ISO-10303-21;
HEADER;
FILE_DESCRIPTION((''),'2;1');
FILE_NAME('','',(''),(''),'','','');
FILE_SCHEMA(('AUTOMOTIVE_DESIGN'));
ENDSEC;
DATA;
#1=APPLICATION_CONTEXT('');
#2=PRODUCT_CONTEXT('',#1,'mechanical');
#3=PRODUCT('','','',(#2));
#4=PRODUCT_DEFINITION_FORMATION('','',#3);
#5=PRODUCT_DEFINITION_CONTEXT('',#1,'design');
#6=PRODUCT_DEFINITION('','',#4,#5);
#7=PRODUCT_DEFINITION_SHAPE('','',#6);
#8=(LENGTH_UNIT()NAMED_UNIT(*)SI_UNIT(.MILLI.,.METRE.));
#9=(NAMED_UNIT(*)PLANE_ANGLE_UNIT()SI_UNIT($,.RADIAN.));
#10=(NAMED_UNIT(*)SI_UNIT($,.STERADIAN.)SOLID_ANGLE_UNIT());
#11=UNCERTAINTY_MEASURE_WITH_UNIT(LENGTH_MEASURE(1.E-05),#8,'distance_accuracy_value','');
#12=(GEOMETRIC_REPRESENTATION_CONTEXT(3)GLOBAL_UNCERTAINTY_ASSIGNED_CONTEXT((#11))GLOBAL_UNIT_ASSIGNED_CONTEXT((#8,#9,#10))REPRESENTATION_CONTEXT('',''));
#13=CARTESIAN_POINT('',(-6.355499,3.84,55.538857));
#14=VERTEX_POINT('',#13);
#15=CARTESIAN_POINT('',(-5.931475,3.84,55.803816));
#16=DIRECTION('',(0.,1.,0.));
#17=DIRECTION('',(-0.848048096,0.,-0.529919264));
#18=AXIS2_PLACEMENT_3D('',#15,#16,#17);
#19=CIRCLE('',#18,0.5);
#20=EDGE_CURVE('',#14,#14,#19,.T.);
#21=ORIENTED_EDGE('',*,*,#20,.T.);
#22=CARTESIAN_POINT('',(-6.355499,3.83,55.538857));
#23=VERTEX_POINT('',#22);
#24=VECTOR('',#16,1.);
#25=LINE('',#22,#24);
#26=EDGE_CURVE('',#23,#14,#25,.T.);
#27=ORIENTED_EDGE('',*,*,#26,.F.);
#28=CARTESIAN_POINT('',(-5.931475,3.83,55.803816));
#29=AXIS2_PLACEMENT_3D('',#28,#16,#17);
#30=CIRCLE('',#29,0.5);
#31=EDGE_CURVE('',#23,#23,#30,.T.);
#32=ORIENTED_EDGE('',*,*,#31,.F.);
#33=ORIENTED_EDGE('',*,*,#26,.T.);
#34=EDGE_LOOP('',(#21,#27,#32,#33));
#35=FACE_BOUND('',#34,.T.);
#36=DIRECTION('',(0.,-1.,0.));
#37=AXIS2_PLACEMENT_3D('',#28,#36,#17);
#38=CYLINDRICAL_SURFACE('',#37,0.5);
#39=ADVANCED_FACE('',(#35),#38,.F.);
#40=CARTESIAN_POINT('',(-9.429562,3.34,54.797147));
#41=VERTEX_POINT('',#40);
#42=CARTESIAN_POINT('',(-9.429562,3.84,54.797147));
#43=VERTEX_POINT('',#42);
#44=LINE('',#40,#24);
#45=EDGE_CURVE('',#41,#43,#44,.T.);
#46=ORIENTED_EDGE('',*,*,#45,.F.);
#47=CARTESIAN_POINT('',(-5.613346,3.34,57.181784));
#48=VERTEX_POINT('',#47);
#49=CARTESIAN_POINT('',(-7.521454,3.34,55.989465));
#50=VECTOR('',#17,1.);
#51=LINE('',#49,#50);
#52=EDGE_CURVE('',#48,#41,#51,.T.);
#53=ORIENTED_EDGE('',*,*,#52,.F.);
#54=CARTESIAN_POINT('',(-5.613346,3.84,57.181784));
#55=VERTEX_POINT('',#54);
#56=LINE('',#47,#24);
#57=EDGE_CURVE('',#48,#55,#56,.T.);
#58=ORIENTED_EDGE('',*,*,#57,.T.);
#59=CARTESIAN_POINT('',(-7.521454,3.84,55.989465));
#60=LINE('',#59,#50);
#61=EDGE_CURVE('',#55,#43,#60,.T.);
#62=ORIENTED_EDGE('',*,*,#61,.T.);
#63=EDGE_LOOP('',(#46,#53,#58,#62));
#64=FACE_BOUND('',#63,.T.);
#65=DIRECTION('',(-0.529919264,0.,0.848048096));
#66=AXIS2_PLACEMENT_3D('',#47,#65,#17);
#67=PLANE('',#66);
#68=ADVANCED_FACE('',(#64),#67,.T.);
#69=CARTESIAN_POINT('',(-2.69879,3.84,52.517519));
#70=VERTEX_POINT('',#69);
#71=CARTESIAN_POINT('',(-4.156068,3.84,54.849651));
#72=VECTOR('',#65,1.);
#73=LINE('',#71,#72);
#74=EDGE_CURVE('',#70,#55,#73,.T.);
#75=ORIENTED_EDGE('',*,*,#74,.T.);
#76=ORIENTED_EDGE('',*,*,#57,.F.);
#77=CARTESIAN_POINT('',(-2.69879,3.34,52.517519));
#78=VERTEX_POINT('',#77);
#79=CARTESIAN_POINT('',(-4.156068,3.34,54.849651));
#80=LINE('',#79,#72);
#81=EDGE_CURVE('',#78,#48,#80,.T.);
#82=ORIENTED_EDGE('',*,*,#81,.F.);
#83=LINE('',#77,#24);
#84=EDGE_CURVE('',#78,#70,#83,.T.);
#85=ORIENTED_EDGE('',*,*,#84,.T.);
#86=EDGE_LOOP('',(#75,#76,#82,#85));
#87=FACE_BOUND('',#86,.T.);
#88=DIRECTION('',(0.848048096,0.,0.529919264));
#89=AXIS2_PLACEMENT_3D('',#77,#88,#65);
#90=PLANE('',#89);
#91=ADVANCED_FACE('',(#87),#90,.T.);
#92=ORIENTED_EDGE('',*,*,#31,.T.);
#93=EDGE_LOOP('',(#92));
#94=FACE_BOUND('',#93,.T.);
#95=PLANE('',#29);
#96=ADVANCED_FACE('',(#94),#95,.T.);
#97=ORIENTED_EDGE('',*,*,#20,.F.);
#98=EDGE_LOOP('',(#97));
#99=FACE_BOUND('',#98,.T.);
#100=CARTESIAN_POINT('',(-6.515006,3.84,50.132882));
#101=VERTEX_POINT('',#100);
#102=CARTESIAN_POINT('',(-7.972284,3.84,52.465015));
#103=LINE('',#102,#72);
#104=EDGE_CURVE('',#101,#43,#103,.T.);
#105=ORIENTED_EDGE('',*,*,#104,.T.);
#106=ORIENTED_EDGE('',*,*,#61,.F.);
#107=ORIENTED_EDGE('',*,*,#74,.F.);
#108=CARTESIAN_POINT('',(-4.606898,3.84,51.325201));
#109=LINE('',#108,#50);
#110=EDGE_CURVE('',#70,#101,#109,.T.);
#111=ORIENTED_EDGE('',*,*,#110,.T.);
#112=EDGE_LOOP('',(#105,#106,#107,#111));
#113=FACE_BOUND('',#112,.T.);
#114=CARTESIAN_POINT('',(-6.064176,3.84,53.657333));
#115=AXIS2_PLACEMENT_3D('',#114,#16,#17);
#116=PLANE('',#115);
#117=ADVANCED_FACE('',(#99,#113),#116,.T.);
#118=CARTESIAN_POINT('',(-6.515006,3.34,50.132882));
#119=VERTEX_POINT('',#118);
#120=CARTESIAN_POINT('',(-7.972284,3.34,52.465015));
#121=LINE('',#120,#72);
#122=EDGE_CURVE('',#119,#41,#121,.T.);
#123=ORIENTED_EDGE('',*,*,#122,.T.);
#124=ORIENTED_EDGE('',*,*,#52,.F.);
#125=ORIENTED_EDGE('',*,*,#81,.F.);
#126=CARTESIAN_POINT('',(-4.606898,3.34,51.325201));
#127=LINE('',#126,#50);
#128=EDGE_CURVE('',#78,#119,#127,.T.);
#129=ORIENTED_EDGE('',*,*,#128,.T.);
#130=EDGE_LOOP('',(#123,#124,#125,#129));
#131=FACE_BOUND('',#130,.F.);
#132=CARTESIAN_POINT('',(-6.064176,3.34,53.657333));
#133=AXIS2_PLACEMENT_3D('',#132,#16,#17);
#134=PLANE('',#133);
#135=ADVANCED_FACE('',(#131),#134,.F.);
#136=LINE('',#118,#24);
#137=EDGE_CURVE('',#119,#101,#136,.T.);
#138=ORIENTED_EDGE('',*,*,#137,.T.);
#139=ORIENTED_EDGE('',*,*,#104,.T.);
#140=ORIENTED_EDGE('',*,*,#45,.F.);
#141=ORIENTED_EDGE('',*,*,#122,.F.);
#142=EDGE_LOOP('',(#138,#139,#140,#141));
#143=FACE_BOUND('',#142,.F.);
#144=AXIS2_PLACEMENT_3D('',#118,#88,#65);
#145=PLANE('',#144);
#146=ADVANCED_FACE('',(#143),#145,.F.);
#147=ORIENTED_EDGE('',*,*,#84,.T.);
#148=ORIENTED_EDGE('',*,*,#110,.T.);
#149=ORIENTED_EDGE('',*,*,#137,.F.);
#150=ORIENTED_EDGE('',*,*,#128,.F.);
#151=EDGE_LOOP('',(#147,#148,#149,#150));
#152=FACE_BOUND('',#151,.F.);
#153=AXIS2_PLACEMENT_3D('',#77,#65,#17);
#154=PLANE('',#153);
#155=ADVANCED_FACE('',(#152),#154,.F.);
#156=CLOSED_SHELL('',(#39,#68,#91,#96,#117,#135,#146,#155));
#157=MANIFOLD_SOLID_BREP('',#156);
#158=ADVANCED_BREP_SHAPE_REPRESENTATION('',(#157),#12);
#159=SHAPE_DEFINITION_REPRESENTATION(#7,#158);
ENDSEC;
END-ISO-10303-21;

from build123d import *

# Parameters (mm, degrees)
CYLINDER064_R          = 0.5
CYLINDER064_DEPTH      = 0.01
BOX143_W               = 4.5
BOX143_H               = 5.5
BOX143_DEPTH           = 0.5
CUT065_ROLL_ANGLE      = 90
CUT065_PITCH_ANGLE     = 32
CUT065_PLACEMENT_ANGLE = -180


with BuildPart() as cylinder064:
    # Cylinder064 → Cylinder064 (new body)
    with BuildSketch(Plane(origin=(1, 4.5, 0.49), x_dir=(1, 0, 0), z_dir=(0, 0, 1))):
        Circle(CYLINDER064_R)
    extrude(amount=CYLINDER064_DEPTH)


with BuildPart() as small_linbo3_plate067:
    # Box143 → Box143 (new body)
    with BuildSketch(Plane.XY):
        with Locations((2.25, 2.75)):
            Rectangle(BOX143_W, BOX143_H)
    extrude(amount=BOX143_DEPTH)

    # Cut065: cut Cylinder064
    add(cylinder064.part, mode=Mode.SUBTRACT)


with BuildPart() as small_linbo3_plate067_1:
    # Cut065 roll: moved
    add(small_linbo3_plate067.part.rotate(Axis((0, 0, 0), (1, 0, 0)), CUT065_ROLL_ANGLE))


with BuildPart() as small_linbo3_plate067_2:
    # Cut065 pitch: moved
    add(small_linbo3_plate067_1.part.rotate(Axis((0, 0, 0), (0, 1, 0)), CUT065_PITCH_ANGLE))


with BuildPart() as small_linbo3_plate067_3:
    # Cut065 placement: moved
    add(small_linbo3_plate067_2.part.moved(Location((-2.69879, 3.34, 52.517519))).rotate(Axis((-2.69879, 3.34, 52.517519), (0, 0, 1)), CUT065_PLACEMENT_ANGLE))


solid = small_linbo3_plate067_3.part
